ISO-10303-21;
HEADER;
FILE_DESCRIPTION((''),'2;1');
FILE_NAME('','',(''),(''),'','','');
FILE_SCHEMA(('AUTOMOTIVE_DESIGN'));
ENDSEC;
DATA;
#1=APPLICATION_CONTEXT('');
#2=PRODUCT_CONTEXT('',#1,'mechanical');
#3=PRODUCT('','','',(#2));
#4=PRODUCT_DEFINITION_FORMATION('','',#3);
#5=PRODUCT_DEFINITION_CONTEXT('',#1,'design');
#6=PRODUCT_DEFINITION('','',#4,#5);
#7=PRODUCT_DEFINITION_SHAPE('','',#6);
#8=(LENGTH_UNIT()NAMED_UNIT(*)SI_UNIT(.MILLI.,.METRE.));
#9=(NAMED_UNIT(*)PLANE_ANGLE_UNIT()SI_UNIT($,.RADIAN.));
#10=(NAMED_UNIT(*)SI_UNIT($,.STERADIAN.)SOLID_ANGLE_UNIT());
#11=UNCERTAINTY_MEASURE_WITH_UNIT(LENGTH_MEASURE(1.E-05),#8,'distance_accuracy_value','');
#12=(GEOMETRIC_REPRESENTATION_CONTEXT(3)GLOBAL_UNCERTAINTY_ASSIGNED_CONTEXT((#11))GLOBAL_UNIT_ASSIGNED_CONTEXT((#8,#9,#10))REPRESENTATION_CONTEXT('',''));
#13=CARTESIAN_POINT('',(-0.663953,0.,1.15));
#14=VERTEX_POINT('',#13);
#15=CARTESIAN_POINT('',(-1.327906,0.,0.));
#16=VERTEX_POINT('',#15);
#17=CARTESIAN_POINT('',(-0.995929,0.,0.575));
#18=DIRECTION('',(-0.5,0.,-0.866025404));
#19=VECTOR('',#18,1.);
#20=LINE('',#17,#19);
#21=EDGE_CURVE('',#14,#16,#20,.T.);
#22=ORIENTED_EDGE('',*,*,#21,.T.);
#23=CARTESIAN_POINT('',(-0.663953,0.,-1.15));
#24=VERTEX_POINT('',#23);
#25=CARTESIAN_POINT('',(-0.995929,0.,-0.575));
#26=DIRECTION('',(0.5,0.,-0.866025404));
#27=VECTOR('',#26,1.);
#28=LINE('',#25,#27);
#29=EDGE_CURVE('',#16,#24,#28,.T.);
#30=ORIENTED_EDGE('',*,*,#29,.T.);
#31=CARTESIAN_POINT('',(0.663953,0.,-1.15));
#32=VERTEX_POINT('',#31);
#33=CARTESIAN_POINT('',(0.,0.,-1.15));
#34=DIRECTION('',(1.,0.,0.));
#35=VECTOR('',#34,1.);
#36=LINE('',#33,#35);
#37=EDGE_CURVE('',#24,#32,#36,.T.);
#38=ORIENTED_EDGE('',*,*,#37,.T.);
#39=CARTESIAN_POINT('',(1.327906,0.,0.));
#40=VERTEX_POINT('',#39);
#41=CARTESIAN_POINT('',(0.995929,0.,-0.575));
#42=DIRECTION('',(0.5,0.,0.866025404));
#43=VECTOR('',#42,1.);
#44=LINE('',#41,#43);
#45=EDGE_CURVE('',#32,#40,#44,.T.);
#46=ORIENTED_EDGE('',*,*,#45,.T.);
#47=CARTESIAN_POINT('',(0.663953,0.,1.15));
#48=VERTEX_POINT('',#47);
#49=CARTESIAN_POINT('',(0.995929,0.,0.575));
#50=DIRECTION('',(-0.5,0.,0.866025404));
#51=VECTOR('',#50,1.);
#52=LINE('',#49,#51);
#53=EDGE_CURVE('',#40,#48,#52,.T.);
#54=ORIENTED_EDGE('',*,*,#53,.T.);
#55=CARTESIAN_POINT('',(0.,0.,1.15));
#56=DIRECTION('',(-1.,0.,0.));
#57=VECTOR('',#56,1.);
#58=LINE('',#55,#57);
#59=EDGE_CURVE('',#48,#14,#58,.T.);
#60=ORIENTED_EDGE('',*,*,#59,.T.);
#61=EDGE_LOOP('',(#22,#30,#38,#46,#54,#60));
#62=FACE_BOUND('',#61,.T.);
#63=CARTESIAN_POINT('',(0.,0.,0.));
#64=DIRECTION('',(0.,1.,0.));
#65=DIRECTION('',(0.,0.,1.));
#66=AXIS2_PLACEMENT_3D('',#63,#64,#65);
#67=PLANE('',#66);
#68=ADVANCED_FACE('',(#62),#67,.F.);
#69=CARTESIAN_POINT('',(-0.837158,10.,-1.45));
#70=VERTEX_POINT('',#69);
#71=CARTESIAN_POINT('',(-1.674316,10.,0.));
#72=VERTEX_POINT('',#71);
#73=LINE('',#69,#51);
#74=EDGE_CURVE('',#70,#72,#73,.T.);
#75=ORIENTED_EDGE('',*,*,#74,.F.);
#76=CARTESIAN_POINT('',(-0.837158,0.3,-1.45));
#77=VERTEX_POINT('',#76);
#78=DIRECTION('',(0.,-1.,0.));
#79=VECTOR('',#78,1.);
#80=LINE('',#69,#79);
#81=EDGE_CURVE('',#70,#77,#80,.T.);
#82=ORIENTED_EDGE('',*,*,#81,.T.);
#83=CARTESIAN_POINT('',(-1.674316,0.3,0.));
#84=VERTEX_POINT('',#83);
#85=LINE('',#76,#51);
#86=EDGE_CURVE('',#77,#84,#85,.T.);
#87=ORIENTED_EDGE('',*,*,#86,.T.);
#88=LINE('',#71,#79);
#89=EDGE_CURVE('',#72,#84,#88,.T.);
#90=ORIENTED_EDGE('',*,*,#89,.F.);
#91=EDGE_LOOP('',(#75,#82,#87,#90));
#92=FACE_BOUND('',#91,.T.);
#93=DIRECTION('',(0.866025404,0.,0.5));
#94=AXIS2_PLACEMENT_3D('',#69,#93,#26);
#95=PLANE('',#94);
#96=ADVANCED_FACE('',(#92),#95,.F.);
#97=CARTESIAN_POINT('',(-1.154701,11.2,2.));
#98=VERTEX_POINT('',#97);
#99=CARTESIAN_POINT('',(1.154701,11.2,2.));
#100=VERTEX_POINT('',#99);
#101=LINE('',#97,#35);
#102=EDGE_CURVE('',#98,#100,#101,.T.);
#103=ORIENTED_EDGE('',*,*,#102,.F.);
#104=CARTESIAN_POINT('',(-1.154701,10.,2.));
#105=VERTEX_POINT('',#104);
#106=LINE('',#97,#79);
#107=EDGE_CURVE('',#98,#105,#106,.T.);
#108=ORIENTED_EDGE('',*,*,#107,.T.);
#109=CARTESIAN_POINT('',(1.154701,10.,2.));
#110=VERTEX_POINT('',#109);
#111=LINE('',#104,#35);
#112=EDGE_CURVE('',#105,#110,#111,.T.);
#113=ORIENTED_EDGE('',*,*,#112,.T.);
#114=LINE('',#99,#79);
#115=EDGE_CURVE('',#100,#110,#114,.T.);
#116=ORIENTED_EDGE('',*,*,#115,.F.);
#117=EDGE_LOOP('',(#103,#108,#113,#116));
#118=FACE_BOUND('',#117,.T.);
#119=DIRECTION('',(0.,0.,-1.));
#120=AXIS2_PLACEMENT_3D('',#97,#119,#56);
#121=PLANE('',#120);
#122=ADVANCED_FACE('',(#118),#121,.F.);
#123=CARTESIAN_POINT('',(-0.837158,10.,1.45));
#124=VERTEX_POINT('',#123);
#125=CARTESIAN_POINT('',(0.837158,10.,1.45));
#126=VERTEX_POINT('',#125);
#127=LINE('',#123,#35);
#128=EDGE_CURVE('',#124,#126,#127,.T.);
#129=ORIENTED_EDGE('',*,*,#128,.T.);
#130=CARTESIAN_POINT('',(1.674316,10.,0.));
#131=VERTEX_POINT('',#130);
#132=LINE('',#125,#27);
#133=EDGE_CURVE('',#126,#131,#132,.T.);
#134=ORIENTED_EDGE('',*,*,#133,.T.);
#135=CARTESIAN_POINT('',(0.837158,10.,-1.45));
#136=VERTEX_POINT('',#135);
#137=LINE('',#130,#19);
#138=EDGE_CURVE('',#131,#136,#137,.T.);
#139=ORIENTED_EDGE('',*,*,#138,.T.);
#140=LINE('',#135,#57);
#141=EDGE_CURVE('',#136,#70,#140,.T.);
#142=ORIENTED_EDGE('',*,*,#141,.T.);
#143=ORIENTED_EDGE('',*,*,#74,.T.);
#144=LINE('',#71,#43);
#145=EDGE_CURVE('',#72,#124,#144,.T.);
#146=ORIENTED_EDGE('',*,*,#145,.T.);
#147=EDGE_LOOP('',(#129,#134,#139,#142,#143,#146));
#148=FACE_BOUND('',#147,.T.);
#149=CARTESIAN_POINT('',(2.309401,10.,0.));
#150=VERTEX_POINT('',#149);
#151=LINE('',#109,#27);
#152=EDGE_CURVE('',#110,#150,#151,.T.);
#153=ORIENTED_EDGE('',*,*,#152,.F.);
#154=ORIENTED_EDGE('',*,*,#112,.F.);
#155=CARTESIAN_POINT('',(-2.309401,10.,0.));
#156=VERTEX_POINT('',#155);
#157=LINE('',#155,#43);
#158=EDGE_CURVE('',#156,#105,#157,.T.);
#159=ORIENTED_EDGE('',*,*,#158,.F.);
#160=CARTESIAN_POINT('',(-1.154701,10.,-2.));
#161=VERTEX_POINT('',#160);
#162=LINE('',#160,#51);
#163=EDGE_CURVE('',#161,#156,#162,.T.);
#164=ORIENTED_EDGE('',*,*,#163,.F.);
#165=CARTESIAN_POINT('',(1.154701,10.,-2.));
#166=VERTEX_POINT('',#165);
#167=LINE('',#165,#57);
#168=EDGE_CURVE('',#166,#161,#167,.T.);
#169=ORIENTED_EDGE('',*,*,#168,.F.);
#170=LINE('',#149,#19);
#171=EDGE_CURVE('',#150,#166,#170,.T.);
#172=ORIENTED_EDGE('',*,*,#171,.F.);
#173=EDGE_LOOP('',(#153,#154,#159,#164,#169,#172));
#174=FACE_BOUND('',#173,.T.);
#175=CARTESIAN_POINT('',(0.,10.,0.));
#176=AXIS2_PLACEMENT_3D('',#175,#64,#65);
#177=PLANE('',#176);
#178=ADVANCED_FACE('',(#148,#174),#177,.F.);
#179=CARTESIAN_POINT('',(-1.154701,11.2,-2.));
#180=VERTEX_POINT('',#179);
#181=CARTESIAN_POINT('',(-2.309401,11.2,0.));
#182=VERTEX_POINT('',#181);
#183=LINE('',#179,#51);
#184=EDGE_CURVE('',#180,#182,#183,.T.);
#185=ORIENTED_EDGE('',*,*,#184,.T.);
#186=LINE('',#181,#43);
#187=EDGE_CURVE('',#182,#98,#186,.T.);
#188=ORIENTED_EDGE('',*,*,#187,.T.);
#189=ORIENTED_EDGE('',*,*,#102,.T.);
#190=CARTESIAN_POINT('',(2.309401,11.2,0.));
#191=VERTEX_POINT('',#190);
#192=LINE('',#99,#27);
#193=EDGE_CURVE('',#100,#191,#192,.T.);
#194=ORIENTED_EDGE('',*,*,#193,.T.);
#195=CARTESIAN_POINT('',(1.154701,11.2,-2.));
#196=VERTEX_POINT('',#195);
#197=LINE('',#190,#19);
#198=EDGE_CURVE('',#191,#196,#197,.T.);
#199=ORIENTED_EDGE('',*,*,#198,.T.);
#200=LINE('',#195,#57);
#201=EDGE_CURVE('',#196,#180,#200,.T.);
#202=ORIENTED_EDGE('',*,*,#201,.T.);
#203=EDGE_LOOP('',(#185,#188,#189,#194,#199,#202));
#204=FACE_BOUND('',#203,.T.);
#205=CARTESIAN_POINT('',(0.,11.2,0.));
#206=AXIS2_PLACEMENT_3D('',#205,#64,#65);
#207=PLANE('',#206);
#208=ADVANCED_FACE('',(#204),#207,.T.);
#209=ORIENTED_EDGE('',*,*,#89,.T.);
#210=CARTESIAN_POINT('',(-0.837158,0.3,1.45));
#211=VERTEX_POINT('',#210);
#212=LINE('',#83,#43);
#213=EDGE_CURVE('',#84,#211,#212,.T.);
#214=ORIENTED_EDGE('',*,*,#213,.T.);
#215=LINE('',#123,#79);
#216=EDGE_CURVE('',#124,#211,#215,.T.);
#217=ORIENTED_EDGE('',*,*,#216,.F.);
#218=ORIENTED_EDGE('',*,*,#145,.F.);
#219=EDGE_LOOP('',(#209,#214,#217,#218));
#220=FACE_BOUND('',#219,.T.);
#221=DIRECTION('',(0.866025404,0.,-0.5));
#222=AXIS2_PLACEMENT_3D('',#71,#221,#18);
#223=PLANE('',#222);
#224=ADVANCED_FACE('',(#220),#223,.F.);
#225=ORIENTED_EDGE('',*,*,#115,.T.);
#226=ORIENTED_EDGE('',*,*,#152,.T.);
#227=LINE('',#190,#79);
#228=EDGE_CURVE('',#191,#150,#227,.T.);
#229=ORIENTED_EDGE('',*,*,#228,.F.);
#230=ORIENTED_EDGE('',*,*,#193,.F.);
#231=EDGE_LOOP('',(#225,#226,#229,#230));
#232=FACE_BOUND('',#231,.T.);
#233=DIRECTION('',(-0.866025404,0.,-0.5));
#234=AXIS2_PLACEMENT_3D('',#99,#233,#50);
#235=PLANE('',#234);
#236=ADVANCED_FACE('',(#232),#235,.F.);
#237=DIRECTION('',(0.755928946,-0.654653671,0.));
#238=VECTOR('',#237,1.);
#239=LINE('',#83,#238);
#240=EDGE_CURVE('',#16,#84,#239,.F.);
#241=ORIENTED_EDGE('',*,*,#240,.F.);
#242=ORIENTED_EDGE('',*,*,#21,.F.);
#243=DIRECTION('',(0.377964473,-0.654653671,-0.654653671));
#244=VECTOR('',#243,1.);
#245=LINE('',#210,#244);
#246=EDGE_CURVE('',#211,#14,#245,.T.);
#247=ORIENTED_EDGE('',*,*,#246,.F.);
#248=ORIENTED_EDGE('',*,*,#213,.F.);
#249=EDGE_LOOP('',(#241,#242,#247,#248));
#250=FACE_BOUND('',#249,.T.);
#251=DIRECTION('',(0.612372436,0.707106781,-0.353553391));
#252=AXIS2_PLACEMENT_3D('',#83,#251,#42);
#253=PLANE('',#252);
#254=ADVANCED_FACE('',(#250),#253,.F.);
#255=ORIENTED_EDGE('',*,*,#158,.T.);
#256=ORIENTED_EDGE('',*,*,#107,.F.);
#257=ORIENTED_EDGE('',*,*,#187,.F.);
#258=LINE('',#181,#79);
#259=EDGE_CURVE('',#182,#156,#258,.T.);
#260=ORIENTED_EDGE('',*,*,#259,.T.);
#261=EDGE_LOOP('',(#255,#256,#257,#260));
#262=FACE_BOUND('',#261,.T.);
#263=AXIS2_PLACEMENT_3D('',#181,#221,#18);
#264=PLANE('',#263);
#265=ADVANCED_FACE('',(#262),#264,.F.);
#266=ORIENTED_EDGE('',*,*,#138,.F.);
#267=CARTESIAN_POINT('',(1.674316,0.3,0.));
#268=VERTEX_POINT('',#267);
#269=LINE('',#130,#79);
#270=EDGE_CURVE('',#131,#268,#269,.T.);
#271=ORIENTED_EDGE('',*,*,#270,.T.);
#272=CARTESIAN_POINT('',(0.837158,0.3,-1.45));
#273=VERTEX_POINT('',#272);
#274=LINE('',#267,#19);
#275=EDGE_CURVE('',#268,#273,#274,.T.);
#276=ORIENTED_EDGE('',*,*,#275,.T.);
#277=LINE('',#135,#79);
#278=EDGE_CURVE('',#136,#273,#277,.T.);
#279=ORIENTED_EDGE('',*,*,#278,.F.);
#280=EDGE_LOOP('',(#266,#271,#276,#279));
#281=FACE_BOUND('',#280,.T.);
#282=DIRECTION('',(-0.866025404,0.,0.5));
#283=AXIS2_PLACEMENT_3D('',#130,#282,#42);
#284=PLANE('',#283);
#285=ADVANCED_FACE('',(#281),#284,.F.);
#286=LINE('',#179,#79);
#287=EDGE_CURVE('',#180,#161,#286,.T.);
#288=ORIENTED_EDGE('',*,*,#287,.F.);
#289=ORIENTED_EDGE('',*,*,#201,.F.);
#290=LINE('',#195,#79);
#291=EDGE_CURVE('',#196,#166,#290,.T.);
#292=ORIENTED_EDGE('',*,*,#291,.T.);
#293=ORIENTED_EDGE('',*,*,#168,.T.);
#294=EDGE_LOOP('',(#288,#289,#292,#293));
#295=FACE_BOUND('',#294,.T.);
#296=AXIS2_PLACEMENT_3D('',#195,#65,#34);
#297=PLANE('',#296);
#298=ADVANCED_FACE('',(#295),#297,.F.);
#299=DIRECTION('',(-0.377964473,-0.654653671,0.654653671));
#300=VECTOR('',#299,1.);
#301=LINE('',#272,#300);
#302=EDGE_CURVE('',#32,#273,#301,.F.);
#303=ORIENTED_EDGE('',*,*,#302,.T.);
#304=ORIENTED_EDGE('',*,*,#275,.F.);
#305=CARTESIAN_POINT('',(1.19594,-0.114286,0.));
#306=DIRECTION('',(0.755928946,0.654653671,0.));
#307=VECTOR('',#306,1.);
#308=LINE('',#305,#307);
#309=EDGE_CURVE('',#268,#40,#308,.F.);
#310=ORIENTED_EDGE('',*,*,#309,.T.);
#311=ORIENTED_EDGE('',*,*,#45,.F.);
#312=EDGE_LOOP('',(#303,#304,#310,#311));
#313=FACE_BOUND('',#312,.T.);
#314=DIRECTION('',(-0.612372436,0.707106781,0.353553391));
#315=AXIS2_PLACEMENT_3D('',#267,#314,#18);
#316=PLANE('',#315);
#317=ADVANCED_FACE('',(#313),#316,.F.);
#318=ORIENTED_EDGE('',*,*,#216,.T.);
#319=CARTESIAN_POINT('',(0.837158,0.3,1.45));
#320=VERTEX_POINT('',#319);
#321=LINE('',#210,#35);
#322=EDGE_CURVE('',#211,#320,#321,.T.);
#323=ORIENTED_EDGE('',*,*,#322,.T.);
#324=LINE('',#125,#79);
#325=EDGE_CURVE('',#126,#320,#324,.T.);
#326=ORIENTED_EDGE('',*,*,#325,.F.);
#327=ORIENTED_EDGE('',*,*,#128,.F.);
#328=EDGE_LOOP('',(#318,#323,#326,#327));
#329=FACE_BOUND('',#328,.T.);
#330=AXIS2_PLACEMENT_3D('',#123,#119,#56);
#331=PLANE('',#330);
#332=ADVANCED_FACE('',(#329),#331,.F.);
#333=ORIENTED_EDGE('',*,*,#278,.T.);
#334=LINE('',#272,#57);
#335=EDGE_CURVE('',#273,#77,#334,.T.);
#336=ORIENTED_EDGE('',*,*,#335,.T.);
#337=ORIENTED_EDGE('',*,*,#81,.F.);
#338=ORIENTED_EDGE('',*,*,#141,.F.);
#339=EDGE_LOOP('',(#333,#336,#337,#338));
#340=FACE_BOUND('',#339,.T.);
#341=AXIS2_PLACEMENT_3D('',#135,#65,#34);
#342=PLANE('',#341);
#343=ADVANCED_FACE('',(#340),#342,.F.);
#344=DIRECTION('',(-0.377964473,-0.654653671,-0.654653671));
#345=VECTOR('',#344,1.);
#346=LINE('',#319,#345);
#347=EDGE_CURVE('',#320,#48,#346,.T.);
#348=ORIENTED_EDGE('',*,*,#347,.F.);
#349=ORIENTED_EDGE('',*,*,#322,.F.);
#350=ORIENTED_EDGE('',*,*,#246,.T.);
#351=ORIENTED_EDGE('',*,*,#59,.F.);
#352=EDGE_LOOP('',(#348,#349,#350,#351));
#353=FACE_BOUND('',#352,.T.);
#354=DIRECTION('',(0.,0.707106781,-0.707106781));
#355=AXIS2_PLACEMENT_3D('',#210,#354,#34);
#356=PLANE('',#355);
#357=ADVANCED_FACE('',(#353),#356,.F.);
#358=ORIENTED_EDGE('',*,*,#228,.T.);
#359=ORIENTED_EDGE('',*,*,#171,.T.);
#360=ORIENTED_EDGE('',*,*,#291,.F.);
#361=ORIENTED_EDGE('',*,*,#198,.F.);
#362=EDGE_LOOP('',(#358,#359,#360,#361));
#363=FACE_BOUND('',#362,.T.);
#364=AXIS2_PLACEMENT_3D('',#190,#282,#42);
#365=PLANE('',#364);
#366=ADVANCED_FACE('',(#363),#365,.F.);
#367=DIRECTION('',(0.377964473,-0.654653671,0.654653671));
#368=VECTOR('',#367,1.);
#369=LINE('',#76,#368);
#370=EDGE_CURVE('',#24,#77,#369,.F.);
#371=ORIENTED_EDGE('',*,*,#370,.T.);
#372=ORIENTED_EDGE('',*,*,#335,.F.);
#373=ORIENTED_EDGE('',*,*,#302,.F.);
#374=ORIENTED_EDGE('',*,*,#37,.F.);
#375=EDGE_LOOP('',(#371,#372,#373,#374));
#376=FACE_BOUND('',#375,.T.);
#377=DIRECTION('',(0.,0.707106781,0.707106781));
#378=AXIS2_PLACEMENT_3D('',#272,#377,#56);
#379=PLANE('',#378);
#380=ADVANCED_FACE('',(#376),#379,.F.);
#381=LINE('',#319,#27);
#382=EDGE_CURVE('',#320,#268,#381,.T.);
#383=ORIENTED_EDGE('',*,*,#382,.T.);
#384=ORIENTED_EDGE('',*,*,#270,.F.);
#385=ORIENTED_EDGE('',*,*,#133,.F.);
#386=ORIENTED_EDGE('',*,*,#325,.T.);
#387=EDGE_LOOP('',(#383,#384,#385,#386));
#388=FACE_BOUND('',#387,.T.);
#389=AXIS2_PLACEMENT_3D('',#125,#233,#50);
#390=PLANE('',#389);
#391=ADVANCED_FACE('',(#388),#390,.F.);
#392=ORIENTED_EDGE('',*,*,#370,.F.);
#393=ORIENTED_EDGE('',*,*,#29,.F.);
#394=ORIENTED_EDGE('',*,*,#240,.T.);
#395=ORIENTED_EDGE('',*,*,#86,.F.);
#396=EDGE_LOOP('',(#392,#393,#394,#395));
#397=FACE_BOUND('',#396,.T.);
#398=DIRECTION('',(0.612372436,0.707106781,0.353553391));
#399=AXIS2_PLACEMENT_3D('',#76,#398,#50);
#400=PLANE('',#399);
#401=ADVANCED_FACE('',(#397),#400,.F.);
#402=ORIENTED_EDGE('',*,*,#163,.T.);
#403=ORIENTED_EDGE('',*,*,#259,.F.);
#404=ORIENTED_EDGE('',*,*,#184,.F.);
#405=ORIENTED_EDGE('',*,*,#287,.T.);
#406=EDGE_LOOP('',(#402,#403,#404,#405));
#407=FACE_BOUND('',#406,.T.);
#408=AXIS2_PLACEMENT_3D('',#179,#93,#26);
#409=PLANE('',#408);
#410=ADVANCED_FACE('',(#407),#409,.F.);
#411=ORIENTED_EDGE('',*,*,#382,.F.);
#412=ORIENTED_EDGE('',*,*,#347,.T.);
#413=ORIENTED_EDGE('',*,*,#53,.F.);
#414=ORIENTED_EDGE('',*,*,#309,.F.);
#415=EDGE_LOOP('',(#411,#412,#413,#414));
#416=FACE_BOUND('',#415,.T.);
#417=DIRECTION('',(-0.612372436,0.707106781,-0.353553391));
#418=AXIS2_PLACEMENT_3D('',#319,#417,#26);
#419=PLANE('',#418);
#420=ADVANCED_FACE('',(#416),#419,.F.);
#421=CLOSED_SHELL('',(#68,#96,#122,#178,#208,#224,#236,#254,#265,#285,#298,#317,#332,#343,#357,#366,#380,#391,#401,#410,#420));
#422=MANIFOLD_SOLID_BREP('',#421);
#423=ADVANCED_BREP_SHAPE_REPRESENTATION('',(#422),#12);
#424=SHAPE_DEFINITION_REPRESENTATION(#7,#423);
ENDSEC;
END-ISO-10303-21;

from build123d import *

# Parameters (mm, degrees)
BOSS_EXTRUDE1_DEPTH = 10
BOSS_EXTRUDE2_DEPTH = 1.2
CHAMFER1_SIZE       = 0.3


with BuildPart() as part:
    # Sketch1 → Boss-Extrude1 (new body)
    with BuildSketch(Plane(origin=(0, 0, 0), x_dir=(1, 0, 0), z_dir=(0, 1, 0))):
        Polygon((1.674315781, 0), (0.83715789, 1.45), (-0.83715789, 1.45), (-1.674315781, 0), (-0.83715789, -1.45), (0.83715789, -1.45), align=None)
    extrude(amount=BOSS_EXTRUDE1_DEPTH)

    # Sketch2 → Boss-Extrude2 (add)
    with BuildSketch(Plane(origin=(0, 10, 0), x_dir=(1, 0, 0), z_dir=(0, 1, 0))):
        Polygon((2.309401077, 0), (1.154700538, 2), (-1.154700538, 2), (-2.309401077, 0), (-1.154700538, -2), (1.154700538, -2), align=None)
    extrude(amount=BOSS_EXTRUDE2_DEPTH)

    # Chamfer1
    chamfer1_edges = [part.edges().sort_by_distance(p)[0] for p in [
        (0, 0, 1.45),
        (-1.255736835, 0, 0.725),
        (-1.255736835, 0, -0.725),
        (0, 0, -1.45),
        (1.255736835, 0, -0.725),
        (1.255736835, 0, 0.725),
    ]]
    chamfer(chamfer1_edges, length=CHAMFER1_SIZE)


solid = part.part
